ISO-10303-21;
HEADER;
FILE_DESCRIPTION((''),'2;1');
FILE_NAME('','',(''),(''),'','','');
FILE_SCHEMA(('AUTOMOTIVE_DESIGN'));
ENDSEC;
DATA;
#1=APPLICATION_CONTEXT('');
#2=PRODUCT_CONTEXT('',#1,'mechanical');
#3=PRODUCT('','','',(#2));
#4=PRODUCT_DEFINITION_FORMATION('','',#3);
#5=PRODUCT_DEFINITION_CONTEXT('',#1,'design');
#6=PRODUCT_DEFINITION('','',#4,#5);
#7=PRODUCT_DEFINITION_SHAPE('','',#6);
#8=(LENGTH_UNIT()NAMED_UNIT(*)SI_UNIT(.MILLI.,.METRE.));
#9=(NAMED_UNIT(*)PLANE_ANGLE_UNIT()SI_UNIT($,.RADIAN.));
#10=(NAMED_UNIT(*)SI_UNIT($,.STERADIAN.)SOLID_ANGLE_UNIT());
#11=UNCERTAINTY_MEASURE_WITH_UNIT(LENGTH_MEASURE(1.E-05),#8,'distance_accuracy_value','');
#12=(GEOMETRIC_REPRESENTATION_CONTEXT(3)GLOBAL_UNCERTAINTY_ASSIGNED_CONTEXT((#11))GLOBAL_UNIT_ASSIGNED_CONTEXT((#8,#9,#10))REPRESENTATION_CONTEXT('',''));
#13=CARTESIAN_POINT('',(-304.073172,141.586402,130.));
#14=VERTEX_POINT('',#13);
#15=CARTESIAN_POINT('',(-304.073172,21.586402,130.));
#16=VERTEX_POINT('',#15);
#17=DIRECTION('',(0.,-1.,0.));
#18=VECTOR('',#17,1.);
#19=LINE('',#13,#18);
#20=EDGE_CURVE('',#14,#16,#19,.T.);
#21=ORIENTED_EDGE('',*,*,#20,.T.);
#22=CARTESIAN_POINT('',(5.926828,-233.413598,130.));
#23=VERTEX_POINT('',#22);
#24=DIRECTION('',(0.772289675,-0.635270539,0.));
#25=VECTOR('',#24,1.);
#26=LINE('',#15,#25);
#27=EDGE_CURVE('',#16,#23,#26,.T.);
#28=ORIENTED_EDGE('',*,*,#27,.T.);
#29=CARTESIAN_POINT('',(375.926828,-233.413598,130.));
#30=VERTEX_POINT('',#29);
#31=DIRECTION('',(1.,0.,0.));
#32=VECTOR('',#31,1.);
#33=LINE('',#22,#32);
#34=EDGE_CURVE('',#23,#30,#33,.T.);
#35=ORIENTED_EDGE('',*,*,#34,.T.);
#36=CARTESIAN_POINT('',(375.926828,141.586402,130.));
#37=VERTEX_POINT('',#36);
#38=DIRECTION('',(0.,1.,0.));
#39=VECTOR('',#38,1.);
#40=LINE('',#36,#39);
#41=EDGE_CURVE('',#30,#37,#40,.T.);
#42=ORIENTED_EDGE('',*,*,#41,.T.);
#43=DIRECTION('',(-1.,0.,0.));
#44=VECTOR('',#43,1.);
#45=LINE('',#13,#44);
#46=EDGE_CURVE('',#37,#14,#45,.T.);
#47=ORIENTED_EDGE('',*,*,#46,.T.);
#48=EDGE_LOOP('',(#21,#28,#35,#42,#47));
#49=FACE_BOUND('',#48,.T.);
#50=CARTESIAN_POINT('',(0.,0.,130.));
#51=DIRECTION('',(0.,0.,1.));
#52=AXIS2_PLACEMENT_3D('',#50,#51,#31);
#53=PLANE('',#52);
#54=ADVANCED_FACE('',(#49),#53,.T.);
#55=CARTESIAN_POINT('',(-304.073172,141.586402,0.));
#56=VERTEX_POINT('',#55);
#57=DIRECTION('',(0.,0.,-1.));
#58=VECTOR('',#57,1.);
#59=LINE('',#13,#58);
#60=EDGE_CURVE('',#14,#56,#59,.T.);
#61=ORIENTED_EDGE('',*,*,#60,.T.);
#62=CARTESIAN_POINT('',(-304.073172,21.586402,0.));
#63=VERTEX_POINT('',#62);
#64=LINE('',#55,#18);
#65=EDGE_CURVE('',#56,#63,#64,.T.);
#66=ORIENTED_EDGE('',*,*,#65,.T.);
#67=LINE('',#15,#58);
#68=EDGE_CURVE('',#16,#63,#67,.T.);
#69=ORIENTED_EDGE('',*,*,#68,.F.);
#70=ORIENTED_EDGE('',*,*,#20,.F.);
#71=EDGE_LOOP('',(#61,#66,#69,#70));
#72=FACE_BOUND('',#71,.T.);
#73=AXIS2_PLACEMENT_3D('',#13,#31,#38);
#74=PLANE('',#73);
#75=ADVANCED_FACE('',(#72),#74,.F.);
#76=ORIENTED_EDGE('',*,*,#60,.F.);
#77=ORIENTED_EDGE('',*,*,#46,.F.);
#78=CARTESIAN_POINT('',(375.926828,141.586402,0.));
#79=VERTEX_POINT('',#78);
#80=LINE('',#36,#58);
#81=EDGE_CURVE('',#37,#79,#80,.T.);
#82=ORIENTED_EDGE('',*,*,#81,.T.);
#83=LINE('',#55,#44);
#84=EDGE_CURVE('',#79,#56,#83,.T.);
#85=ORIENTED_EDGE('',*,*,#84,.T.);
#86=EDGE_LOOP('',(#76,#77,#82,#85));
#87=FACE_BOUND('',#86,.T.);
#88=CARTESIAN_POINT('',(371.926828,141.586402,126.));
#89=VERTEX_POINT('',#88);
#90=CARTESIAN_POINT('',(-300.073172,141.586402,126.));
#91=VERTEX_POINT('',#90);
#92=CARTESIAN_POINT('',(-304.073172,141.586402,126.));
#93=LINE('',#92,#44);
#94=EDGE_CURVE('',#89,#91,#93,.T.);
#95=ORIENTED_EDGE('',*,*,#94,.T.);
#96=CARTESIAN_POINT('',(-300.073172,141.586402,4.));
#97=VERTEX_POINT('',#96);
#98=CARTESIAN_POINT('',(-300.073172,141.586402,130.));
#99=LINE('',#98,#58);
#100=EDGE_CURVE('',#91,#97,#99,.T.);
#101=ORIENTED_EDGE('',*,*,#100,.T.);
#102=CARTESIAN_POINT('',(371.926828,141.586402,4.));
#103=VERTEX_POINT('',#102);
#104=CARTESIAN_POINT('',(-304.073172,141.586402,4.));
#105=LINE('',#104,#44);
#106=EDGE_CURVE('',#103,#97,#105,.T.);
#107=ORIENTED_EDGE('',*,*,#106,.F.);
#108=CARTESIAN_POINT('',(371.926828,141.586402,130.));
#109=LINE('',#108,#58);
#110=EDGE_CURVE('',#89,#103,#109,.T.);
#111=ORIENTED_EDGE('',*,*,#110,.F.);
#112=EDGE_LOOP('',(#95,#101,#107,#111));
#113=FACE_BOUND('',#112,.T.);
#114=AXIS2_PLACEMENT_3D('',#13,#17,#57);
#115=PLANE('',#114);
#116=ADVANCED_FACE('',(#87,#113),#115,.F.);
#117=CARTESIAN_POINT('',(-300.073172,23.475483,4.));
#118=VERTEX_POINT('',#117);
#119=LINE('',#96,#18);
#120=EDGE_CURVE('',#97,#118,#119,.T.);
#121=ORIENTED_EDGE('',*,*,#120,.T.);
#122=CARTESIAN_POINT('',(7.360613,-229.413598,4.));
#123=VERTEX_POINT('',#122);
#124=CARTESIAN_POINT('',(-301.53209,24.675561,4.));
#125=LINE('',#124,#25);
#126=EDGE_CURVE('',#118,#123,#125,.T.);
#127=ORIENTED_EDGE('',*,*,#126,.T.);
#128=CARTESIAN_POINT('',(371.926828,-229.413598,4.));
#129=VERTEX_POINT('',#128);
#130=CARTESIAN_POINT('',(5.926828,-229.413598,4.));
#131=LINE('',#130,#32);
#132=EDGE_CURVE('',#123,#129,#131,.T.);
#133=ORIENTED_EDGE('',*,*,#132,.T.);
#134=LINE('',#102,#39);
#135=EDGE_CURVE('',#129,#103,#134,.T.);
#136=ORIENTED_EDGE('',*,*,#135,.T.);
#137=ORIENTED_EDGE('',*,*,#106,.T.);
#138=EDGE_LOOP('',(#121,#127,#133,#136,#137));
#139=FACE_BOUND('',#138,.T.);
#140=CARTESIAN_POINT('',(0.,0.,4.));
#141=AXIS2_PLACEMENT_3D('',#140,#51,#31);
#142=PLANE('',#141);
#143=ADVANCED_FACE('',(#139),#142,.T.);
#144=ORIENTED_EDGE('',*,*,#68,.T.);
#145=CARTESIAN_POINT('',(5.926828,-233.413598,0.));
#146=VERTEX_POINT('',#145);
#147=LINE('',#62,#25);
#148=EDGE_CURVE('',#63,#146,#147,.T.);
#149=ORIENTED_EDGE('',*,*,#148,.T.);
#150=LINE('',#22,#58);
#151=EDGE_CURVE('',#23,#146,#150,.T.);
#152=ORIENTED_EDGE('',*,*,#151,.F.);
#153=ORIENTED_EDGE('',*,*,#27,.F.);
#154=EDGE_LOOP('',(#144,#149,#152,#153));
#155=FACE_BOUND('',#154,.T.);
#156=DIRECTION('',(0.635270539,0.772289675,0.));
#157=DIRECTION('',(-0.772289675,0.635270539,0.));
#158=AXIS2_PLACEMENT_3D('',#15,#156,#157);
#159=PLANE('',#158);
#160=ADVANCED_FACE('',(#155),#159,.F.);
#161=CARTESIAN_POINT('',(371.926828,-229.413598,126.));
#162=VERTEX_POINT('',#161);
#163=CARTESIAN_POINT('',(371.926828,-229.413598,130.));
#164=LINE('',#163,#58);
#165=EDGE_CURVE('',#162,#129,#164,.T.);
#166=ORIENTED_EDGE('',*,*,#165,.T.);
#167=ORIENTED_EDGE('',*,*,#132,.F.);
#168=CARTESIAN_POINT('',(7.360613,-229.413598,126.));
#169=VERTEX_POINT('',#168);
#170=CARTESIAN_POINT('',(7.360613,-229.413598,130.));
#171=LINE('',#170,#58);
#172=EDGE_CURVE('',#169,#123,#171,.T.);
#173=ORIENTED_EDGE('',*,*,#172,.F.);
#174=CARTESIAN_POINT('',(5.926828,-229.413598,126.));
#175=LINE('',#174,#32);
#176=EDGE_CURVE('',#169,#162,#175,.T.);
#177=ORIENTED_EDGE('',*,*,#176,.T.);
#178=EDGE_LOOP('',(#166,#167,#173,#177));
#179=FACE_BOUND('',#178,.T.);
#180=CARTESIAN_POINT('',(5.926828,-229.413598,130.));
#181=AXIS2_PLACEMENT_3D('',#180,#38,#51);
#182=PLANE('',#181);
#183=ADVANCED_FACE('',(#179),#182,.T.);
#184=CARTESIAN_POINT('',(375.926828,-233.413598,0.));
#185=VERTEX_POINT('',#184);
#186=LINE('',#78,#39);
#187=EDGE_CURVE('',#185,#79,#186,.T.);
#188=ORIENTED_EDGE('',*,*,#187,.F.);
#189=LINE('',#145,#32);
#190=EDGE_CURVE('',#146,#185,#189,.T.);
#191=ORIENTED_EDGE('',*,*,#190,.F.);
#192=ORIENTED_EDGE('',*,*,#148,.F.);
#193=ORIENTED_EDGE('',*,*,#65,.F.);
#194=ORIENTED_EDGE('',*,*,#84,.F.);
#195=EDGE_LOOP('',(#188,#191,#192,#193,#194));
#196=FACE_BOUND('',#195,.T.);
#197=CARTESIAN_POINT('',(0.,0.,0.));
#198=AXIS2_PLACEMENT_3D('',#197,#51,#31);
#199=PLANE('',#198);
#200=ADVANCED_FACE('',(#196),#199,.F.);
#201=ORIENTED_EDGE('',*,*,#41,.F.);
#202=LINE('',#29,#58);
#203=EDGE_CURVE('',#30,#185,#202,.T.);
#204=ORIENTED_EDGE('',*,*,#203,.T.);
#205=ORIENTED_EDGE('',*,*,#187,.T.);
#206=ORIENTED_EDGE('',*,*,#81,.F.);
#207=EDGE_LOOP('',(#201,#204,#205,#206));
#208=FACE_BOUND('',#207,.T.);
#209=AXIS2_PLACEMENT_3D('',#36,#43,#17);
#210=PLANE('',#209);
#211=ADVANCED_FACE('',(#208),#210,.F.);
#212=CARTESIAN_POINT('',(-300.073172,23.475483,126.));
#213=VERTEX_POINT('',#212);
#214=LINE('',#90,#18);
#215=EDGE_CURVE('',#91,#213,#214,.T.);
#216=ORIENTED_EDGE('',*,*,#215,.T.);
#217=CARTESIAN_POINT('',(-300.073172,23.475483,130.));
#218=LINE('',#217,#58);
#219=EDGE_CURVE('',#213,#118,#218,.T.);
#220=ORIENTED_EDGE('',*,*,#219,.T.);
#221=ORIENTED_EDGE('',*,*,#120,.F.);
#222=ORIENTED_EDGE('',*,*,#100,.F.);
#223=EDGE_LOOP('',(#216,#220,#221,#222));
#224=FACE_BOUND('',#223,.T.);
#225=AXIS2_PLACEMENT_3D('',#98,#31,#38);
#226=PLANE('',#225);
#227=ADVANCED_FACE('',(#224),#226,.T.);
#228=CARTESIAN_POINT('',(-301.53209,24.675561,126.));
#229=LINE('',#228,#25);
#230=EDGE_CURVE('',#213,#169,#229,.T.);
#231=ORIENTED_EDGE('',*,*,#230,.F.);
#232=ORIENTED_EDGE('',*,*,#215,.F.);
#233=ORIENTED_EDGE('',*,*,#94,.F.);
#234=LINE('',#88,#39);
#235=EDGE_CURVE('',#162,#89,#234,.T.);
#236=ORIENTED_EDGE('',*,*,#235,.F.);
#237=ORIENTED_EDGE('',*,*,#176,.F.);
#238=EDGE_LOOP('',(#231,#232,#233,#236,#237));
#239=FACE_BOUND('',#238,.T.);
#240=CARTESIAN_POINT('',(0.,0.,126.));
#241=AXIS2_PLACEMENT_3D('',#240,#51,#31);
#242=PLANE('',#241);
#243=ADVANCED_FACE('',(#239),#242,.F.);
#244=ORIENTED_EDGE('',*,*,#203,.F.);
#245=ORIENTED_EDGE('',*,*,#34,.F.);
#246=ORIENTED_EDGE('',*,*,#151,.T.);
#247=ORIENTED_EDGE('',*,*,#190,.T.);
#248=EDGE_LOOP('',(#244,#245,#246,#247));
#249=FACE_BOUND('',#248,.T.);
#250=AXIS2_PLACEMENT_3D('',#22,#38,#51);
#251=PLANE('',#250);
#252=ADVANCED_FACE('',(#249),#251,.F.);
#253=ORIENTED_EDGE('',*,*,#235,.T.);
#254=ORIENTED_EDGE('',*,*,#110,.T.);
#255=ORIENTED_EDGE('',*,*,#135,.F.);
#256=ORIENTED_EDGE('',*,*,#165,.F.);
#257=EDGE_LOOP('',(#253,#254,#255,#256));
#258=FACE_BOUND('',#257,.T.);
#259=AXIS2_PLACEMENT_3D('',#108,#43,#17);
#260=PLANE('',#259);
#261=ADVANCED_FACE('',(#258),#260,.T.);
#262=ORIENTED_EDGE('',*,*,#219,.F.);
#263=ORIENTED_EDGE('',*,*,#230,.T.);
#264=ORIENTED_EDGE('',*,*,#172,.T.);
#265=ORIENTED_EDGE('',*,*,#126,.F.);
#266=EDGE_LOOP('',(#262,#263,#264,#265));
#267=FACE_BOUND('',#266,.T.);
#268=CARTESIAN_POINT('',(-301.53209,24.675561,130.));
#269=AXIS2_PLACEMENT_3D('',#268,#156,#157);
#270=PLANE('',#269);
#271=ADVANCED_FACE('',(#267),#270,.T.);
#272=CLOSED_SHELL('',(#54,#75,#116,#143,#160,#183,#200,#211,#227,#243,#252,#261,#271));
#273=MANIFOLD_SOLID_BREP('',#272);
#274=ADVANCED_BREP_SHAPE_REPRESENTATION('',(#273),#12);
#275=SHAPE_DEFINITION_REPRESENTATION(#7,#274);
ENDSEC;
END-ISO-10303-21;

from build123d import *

# Parameters (mm, degrees)
BOSS_EXTRUDE1_DEPTH = 130
SHELL1_T            = -4


with BuildPart() as part:
    # Sketch1 → Boss-Extrude1 (new body)
    with BuildSketch(Plane.XY):
        Polygon((-304.073172001, 21.586402266), (5.926827999, -233.413597734), (375.926827999, -233.413597734), (375.926827999, 141.586402266), (-304.073172001, 141.586402266), align=None)
    extrude(amount=BOSS_EXTRUDE1_DEPTH)

    # Shell1
    shell1_openings = [part.faces().sort_by_distance(p)[0] for p in [
        (35.926827999, 141.586402266, 65),
    ]]
    offset(amount=SHELL1_T, openings=shell1_openings, kind=Kind.INTERSECTION)


solid = part.part
